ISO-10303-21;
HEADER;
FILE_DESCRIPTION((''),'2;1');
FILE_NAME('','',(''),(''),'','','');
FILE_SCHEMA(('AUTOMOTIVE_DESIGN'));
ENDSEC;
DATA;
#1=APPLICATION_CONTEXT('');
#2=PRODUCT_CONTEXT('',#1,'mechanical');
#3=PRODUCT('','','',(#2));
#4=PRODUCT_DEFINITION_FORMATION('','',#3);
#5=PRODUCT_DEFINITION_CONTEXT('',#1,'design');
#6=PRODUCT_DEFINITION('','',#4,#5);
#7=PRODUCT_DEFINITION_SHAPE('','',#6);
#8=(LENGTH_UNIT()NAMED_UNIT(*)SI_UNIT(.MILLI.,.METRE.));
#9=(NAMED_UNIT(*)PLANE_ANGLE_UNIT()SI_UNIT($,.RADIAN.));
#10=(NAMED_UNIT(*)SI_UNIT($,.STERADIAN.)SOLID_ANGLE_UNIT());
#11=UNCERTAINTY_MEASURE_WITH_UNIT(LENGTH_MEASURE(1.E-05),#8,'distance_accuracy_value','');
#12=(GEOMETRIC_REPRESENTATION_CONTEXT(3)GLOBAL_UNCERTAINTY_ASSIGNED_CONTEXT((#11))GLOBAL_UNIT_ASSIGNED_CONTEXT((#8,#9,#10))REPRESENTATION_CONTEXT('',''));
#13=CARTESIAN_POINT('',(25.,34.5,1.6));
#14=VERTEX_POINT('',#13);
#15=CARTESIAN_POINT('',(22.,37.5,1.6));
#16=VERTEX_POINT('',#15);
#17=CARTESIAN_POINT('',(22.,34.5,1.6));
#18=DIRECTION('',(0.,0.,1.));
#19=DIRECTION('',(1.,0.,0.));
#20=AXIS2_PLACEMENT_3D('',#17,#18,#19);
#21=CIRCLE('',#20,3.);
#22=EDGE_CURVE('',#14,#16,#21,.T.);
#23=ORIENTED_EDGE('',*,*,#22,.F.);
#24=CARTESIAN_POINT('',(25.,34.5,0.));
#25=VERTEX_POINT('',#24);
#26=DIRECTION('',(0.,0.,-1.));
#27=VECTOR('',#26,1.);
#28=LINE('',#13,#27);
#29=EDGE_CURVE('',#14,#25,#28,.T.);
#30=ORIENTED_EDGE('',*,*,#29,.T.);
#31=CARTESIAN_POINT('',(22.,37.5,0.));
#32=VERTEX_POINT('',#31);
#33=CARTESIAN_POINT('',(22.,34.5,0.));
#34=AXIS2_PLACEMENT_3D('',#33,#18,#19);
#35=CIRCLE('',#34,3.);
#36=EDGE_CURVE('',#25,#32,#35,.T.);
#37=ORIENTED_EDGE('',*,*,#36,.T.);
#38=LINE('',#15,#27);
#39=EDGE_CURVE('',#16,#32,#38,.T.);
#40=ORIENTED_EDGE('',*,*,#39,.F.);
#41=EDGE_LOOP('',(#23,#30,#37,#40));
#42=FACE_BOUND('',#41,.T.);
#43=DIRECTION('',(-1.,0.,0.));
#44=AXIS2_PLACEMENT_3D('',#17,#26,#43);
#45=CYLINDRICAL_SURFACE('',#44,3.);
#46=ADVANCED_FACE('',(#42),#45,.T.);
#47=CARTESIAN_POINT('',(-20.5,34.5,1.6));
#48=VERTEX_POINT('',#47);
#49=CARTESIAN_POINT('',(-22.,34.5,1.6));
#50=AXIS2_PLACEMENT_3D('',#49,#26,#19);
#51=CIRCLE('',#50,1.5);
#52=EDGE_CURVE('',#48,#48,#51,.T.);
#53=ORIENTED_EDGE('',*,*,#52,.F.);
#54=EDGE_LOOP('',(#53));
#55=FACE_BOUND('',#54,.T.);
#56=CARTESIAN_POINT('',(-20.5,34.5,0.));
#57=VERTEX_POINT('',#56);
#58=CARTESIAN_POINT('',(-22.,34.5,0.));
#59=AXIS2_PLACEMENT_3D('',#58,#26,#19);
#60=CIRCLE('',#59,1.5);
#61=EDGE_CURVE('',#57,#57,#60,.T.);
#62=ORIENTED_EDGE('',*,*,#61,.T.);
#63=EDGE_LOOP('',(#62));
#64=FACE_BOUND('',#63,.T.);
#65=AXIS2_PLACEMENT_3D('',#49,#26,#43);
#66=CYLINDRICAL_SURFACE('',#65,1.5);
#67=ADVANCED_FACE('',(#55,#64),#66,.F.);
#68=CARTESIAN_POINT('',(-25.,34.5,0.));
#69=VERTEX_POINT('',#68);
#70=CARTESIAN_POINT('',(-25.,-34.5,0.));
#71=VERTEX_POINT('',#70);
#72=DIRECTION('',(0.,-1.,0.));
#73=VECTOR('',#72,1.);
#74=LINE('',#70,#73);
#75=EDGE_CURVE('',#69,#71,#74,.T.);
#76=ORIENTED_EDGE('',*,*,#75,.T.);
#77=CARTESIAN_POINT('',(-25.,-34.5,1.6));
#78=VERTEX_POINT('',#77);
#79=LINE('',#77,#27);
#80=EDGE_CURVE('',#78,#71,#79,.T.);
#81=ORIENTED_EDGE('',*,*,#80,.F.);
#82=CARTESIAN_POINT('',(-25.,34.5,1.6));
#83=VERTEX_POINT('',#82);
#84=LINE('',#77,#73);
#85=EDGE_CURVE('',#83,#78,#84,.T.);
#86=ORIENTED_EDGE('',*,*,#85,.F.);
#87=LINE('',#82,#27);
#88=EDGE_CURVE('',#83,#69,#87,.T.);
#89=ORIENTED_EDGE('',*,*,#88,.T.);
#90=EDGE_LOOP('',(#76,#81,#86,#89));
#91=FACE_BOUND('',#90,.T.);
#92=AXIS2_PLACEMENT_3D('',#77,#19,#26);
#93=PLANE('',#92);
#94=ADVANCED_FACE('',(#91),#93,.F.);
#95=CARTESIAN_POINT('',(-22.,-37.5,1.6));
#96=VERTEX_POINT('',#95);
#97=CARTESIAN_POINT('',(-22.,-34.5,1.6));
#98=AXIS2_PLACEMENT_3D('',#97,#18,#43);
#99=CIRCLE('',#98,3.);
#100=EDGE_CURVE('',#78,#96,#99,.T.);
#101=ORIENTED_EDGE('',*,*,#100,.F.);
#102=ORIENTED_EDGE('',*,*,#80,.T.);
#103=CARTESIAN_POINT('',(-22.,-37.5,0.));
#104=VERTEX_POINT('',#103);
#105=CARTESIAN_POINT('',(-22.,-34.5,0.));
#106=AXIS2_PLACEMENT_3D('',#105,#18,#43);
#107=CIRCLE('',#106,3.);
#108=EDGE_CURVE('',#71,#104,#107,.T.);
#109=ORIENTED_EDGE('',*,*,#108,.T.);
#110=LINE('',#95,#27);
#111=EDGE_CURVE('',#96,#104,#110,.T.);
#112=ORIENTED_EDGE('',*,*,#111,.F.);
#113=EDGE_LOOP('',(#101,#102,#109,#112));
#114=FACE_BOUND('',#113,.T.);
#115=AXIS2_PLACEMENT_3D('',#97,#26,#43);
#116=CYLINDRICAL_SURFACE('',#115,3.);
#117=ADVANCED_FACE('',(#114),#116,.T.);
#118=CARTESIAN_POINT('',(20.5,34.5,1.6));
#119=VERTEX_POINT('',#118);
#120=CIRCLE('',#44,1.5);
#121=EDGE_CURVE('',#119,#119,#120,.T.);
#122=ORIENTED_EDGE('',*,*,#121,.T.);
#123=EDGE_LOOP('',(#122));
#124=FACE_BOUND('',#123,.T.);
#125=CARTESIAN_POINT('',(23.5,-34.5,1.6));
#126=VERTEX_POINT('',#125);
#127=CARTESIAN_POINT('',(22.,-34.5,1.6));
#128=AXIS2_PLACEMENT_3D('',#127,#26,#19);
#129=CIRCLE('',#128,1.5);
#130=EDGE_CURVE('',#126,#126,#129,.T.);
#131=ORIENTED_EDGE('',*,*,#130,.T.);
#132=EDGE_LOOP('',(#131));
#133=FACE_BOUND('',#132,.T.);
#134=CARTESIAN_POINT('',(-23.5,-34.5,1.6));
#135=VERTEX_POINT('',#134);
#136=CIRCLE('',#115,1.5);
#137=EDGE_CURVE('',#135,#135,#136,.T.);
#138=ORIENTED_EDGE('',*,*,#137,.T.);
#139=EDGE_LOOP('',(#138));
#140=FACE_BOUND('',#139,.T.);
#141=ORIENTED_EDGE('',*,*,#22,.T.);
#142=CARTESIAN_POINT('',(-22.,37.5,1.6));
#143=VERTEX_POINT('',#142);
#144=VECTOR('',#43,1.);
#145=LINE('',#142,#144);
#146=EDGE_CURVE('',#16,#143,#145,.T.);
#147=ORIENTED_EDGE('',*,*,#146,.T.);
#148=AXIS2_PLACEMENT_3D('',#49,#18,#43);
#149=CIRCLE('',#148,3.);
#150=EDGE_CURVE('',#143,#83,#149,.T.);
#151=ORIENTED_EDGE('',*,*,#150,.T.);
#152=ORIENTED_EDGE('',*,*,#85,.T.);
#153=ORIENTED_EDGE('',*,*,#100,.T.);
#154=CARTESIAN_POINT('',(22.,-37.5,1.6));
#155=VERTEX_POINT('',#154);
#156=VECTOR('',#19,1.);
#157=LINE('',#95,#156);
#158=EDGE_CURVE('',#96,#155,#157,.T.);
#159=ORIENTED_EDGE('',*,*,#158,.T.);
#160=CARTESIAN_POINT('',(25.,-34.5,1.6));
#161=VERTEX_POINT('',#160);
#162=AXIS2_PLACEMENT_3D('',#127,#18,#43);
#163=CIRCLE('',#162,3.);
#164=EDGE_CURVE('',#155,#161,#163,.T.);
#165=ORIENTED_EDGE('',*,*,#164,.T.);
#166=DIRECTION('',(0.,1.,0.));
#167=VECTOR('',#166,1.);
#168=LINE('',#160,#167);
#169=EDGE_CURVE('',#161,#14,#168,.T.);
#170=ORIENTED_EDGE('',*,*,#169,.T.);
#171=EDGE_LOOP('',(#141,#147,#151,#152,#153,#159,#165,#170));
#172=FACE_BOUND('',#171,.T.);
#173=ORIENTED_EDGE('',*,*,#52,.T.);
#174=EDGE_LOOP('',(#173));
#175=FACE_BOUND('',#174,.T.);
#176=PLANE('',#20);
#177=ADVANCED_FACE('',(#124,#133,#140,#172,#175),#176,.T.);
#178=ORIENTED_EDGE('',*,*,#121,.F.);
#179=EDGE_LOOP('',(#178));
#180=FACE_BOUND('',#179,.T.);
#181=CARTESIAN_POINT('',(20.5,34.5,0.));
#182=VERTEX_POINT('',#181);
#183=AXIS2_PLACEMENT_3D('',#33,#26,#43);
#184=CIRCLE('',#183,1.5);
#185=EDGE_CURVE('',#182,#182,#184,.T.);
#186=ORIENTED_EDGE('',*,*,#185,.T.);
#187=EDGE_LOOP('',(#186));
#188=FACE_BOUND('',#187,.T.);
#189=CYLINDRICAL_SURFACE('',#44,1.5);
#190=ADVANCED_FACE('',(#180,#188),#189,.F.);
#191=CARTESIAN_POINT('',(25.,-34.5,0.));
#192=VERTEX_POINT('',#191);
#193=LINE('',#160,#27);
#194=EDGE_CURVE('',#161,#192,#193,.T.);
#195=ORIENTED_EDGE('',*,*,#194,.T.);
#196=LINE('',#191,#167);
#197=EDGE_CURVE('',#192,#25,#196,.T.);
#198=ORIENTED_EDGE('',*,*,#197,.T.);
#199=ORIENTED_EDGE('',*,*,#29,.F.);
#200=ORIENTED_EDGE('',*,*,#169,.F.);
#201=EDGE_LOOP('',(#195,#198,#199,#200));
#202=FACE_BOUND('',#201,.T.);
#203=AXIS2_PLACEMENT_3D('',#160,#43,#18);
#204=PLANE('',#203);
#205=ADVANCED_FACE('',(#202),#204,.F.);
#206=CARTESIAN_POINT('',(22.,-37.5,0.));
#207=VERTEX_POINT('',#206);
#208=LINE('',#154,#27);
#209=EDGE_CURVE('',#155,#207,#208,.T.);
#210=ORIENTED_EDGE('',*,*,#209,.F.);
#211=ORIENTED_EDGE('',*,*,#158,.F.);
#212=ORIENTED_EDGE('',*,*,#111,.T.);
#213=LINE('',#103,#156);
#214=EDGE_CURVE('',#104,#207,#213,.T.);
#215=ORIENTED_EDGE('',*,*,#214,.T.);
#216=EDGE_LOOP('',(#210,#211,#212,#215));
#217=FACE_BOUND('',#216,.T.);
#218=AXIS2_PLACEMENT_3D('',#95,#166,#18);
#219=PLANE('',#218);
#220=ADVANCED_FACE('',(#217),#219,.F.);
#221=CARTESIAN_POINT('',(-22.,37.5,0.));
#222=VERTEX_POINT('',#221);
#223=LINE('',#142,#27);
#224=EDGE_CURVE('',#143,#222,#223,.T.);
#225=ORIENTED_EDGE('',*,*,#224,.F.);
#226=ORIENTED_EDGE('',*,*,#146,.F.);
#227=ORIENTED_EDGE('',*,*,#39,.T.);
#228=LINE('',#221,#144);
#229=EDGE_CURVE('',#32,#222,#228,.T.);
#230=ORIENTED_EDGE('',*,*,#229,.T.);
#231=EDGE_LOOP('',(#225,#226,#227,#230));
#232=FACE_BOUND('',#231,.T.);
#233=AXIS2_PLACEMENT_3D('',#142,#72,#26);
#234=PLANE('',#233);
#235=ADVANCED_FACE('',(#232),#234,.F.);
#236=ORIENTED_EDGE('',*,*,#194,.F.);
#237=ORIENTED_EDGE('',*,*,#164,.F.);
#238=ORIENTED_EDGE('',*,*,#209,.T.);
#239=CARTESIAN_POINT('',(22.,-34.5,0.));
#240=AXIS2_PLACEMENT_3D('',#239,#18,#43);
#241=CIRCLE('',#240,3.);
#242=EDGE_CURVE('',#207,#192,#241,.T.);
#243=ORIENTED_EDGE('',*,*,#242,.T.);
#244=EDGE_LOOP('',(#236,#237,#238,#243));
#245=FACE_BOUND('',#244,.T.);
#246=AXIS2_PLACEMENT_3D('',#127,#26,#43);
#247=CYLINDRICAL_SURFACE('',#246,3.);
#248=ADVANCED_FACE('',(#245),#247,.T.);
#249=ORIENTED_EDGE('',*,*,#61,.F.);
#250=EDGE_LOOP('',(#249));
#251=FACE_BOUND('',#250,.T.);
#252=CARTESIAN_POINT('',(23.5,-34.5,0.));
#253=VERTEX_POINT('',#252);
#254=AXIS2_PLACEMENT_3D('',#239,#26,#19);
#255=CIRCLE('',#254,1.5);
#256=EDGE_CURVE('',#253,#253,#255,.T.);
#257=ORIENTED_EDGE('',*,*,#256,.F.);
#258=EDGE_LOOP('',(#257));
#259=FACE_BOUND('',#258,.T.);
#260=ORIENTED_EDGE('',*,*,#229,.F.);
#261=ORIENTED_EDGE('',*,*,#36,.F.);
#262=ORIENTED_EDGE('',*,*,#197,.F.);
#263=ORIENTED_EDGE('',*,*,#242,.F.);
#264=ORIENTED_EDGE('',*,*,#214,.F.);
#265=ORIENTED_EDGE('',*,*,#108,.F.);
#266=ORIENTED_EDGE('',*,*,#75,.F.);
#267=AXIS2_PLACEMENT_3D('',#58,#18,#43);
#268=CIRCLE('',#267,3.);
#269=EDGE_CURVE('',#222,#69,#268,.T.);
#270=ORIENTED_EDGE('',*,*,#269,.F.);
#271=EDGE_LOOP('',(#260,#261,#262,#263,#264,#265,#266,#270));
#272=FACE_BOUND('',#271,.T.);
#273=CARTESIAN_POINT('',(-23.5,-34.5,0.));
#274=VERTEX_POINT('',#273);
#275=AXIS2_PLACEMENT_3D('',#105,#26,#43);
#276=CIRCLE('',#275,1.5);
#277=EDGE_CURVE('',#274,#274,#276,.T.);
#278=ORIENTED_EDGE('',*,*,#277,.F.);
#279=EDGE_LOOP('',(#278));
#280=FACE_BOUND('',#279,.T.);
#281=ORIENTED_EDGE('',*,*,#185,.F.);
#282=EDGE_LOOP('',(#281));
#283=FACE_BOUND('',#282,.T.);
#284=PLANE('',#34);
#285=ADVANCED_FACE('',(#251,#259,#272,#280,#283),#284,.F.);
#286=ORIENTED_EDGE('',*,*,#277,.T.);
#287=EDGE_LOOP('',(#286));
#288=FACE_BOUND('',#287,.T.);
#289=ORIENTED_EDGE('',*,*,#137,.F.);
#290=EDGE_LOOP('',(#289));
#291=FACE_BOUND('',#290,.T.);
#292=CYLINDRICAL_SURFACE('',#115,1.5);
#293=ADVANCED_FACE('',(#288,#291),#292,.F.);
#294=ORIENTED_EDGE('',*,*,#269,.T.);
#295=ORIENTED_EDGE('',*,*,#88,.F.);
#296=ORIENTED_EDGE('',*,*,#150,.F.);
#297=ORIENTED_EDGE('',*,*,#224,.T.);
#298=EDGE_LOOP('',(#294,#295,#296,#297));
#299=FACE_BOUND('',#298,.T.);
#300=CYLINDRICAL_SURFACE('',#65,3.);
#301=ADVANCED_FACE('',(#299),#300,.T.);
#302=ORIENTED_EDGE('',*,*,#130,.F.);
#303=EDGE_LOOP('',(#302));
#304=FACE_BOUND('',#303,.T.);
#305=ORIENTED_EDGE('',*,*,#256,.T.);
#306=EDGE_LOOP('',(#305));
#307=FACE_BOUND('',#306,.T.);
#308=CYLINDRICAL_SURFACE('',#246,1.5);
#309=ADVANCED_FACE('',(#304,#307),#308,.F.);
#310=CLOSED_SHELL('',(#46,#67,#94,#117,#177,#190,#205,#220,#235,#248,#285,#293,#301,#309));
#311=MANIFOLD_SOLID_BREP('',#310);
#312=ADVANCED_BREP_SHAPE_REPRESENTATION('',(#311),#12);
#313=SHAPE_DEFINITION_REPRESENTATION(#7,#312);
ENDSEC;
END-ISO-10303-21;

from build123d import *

# Parameters (mm, degrees)
BOSS_EXTRUDE1_DEPTH = 1.6
SKETCH2_R           = 1.5
CUT_EXTRUDE1_DEPTH  = 2.6


with BuildPart() as part:
    # Sketch1 → Boss-Extrude1 (new body)
    with BuildSketch(Plane.XY):
        with BuildLine():
            Line((-22, -37.5), (22, -37.5))
            ThreePointArc((22, -37.5), (24.121320344, -36.621320344), (25, -34.5))
            Line((25, -34.5), (25, 34.5))
            ThreePointArc((25, 34.5), (24.121320344, 36.621320344), (22, 37.5))
            Line((22, 37.5), (-22, 37.5))
            ThreePointArc((-22, 37.5), (-24.121320344, 36.621320344), (-25, 34.5))
            Line((-25, 34.5), (-25, -34.5))
            ThreePointArc((-25, -34.5), (-24.121320344, -36.621320344), (-22, -37.5))
        make_face()
    extrude(amount=BOSS_EXTRUDE1_DEPTH)

    # Sketch2 → Cut-Extrude1 (cut, through all)
    with BuildSketch(Plane(origin=(0, 0, 0), x_dir=(-1, 0, 0), z_dir=(0, 0, -1))):
        with Locations((-22, 34.5)):
            Circle(SKETCH2_R)
        with Locations((22, 34.5)):
            Circle(SKETCH2_R)
        with Locations((22, -34.5)):
            Circle(SKETCH2_R)
        with Locations((-22, -34.5)):
            Circle(SKETCH2_R)
    extrude(amount=-CUT_EXTRUDE1_DEPTH, mode=Mode.SUBTRACT)


solid = part.part
